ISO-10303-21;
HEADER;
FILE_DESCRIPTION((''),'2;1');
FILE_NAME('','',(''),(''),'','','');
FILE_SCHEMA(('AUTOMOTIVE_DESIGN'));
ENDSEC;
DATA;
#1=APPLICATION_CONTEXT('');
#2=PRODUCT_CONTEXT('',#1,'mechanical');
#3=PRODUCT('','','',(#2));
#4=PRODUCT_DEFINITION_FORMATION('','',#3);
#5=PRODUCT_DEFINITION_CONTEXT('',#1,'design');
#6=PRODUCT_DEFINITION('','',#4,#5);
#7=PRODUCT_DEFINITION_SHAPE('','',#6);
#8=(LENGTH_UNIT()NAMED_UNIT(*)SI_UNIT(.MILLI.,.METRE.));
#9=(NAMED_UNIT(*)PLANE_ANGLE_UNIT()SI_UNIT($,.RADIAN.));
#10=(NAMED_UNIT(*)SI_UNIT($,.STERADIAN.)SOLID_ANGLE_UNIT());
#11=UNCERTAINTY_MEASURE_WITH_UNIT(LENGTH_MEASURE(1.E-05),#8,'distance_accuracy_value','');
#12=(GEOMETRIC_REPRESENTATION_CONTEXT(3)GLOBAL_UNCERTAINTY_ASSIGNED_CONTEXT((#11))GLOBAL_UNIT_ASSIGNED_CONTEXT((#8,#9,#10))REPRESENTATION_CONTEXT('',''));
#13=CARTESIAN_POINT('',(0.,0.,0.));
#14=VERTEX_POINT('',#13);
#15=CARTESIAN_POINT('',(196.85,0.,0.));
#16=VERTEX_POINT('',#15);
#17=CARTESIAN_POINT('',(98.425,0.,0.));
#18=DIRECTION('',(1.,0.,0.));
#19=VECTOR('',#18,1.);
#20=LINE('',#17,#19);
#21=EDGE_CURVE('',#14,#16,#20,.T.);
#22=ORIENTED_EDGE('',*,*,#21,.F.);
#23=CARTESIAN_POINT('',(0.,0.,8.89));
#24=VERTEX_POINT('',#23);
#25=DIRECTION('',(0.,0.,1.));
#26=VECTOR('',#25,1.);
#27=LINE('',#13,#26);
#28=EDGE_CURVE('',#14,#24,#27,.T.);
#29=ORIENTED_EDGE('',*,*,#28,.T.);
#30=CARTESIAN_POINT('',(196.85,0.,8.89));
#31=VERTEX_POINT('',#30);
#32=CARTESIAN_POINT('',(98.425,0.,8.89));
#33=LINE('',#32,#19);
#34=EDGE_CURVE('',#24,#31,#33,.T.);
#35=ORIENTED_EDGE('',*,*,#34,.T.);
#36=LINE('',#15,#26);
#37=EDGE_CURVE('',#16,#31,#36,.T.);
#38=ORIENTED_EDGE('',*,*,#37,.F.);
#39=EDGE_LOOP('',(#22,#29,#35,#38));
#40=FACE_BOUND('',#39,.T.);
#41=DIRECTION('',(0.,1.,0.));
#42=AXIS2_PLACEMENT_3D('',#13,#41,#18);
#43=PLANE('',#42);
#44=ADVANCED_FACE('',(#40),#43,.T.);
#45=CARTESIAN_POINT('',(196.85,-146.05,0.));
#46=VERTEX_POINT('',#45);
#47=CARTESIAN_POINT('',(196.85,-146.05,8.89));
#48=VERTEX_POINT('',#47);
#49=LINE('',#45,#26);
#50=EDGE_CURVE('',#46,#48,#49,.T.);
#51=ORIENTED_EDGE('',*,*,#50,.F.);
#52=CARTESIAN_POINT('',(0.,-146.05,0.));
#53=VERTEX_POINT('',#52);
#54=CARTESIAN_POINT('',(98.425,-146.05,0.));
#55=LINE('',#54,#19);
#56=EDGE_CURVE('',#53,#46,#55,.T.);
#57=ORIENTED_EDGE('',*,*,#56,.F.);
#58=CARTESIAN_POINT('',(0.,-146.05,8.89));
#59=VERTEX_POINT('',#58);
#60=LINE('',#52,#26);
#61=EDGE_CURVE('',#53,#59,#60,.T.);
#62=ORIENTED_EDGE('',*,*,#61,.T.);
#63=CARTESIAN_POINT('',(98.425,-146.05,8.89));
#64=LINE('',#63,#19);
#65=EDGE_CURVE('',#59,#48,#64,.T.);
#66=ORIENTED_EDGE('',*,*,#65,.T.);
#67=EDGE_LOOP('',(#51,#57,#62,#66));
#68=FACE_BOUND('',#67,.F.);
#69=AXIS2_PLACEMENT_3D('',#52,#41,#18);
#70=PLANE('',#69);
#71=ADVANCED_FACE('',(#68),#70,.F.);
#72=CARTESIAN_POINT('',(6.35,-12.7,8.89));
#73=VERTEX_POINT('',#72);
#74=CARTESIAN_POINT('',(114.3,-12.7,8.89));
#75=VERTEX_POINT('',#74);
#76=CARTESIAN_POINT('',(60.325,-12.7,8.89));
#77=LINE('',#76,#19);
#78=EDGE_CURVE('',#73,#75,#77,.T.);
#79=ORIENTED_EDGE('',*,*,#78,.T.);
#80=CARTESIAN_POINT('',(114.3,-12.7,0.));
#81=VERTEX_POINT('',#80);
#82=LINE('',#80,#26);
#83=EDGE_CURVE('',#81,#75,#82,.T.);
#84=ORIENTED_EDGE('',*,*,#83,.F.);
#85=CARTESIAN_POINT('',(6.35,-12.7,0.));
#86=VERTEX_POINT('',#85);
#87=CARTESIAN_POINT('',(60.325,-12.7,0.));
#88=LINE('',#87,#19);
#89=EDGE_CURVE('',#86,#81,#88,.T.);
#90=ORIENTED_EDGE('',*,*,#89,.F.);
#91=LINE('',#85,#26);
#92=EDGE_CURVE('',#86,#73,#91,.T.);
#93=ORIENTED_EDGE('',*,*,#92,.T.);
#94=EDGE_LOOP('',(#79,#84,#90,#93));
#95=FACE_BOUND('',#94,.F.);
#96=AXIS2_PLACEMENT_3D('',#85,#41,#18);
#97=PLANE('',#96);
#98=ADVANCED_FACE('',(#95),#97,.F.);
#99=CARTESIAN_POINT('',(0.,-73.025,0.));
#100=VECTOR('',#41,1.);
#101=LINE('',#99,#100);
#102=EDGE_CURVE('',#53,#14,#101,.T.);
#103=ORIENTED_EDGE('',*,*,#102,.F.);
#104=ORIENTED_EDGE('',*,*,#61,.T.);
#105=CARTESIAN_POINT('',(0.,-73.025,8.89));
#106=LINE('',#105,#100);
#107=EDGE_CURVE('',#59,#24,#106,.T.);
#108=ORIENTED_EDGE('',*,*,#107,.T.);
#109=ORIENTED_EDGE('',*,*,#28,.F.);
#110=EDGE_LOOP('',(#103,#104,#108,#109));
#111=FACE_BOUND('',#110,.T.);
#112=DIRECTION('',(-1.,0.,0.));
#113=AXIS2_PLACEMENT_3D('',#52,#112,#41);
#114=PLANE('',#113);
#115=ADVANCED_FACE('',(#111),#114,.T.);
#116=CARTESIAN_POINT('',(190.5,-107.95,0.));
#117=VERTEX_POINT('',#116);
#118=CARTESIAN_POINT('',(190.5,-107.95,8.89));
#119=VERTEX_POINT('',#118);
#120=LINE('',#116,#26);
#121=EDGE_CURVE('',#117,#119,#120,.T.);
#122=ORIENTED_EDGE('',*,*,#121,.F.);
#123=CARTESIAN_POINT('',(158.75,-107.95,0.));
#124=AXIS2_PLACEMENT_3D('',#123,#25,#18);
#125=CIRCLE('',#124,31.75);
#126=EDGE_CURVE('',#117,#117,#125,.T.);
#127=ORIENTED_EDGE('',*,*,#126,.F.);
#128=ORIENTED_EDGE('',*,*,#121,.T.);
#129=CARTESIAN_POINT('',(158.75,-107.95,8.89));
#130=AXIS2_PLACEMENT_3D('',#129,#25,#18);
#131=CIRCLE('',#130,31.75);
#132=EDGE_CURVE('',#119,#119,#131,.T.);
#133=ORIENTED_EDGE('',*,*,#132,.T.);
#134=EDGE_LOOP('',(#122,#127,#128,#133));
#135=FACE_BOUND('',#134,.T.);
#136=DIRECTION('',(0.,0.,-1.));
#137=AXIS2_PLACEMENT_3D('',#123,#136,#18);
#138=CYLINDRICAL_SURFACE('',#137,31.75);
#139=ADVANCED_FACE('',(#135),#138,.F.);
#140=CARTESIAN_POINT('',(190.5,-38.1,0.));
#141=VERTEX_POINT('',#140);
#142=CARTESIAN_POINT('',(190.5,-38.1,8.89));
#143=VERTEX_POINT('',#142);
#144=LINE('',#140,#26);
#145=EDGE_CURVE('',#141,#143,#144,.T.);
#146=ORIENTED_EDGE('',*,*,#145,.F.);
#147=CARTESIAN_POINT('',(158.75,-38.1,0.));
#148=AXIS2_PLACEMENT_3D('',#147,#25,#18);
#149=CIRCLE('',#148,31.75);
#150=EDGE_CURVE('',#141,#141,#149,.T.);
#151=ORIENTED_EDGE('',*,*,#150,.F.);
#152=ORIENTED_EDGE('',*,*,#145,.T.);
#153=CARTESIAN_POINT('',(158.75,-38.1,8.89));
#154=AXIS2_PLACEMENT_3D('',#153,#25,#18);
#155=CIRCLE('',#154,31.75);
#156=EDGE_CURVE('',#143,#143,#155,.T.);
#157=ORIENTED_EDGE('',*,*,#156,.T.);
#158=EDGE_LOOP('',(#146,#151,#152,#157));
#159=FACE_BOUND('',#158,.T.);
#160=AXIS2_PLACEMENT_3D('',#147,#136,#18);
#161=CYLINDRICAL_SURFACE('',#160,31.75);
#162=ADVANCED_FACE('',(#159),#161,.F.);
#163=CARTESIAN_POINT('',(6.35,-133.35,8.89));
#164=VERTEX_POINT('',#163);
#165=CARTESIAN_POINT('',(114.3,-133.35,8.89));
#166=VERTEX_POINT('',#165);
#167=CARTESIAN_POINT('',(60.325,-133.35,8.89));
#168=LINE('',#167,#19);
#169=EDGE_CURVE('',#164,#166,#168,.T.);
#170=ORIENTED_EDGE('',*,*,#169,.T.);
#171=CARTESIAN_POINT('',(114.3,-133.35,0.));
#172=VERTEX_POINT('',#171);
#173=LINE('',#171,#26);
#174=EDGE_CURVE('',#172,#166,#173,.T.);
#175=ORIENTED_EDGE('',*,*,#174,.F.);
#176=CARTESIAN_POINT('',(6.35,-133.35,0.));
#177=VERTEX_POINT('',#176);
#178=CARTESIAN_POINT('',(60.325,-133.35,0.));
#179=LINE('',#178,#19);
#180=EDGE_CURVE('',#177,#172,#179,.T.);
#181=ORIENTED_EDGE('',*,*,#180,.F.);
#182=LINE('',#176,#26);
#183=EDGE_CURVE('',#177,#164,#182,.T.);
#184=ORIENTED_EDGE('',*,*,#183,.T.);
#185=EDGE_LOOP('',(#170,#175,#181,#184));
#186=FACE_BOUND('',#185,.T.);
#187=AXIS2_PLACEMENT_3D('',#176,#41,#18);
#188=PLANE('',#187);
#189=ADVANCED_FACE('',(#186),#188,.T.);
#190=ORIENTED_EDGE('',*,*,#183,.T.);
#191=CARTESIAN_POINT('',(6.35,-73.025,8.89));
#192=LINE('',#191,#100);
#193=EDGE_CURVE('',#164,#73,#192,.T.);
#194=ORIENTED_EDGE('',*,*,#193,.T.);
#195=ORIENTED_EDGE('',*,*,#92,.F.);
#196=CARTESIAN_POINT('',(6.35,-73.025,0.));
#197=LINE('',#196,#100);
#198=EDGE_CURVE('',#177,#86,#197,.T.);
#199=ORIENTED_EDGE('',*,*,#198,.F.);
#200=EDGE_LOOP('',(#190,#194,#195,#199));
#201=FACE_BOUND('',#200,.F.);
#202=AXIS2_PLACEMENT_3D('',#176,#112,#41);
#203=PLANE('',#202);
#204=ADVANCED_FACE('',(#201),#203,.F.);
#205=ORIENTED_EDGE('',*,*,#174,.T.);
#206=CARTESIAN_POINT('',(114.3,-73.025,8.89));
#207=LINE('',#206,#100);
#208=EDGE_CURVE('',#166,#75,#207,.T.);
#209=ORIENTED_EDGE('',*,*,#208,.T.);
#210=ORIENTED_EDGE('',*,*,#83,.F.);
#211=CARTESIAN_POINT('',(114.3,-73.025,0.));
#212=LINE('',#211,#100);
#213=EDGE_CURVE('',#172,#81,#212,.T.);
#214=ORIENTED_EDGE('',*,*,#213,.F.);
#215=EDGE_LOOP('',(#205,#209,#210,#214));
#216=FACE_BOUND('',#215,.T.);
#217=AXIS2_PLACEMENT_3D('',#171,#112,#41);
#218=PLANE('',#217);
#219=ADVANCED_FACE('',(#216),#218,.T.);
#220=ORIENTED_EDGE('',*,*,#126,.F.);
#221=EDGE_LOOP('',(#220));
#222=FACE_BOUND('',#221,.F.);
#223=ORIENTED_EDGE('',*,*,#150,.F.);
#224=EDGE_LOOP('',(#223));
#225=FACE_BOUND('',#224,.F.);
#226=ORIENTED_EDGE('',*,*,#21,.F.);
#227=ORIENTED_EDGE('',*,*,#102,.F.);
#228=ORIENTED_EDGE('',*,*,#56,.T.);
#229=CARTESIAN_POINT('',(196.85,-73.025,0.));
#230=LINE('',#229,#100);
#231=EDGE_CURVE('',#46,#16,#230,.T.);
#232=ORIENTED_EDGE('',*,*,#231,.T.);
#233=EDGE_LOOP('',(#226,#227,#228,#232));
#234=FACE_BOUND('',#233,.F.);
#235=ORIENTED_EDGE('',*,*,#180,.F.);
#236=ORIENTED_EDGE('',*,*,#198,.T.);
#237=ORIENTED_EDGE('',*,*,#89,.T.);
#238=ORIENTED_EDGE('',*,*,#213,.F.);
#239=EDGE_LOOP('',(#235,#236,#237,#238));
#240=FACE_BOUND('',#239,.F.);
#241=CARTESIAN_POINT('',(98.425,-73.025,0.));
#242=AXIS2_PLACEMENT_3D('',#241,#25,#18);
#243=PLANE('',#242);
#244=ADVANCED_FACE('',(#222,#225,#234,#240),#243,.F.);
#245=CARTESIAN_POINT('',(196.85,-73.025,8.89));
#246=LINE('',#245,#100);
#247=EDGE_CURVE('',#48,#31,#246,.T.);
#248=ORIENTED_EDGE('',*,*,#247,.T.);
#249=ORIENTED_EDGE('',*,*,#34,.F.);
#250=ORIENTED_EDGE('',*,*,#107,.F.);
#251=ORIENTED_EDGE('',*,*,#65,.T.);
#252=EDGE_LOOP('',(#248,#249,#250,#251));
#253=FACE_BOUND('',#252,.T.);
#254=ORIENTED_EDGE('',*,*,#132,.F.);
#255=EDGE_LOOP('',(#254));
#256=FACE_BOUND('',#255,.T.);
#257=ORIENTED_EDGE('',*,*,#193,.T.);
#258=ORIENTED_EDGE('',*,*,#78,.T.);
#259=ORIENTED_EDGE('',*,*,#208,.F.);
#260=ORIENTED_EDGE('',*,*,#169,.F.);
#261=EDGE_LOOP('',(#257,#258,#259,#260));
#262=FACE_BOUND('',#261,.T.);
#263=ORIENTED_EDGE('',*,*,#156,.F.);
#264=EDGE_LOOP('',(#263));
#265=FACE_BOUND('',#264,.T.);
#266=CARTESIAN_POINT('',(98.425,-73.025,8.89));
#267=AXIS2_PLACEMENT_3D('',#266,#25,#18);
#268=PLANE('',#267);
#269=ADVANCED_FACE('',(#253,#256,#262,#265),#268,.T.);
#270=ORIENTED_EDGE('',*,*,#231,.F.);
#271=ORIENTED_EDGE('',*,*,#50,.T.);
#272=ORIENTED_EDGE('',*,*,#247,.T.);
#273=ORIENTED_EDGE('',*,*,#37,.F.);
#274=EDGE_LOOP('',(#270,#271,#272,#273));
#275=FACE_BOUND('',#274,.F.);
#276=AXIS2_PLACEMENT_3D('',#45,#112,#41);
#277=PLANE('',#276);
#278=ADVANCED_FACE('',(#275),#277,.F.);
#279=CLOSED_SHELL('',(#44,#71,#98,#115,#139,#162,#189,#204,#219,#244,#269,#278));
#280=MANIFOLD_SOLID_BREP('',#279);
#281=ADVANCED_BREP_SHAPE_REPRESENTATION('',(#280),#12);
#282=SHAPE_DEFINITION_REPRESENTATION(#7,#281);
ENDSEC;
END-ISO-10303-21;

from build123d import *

# Parameters (mm, degrees)
F0_W     = 196.85
F0_H     = 146.05
F0_R     = 31.75
F0_W_2   = 107.95
F0_H_2   = 120.65
F1_DEPTH = 8.89


with BuildPart() as f1:
    # F0 (on Top) → F1 (new body)
    with BuildSketch(Plane.XY):
        with Locations((98.425, -73.025)):
            Rectangle(F0_W, F0_H)
        with Locations((158.75, -107.95)):
            Circle(F0_R, mode=Mode.SUBTRACT)
        with Locations((60.325, -73.025)):
            Rectangle(F0_W_2, F0_H_2, mode=Mode.SUBTRACT)
        with Locations((158.75, -38.1)):
            Circle(F0_R, mode=Mode.SUBTRACT)
    extrude(amount=F1_DEPTH)


solid = f1.part
